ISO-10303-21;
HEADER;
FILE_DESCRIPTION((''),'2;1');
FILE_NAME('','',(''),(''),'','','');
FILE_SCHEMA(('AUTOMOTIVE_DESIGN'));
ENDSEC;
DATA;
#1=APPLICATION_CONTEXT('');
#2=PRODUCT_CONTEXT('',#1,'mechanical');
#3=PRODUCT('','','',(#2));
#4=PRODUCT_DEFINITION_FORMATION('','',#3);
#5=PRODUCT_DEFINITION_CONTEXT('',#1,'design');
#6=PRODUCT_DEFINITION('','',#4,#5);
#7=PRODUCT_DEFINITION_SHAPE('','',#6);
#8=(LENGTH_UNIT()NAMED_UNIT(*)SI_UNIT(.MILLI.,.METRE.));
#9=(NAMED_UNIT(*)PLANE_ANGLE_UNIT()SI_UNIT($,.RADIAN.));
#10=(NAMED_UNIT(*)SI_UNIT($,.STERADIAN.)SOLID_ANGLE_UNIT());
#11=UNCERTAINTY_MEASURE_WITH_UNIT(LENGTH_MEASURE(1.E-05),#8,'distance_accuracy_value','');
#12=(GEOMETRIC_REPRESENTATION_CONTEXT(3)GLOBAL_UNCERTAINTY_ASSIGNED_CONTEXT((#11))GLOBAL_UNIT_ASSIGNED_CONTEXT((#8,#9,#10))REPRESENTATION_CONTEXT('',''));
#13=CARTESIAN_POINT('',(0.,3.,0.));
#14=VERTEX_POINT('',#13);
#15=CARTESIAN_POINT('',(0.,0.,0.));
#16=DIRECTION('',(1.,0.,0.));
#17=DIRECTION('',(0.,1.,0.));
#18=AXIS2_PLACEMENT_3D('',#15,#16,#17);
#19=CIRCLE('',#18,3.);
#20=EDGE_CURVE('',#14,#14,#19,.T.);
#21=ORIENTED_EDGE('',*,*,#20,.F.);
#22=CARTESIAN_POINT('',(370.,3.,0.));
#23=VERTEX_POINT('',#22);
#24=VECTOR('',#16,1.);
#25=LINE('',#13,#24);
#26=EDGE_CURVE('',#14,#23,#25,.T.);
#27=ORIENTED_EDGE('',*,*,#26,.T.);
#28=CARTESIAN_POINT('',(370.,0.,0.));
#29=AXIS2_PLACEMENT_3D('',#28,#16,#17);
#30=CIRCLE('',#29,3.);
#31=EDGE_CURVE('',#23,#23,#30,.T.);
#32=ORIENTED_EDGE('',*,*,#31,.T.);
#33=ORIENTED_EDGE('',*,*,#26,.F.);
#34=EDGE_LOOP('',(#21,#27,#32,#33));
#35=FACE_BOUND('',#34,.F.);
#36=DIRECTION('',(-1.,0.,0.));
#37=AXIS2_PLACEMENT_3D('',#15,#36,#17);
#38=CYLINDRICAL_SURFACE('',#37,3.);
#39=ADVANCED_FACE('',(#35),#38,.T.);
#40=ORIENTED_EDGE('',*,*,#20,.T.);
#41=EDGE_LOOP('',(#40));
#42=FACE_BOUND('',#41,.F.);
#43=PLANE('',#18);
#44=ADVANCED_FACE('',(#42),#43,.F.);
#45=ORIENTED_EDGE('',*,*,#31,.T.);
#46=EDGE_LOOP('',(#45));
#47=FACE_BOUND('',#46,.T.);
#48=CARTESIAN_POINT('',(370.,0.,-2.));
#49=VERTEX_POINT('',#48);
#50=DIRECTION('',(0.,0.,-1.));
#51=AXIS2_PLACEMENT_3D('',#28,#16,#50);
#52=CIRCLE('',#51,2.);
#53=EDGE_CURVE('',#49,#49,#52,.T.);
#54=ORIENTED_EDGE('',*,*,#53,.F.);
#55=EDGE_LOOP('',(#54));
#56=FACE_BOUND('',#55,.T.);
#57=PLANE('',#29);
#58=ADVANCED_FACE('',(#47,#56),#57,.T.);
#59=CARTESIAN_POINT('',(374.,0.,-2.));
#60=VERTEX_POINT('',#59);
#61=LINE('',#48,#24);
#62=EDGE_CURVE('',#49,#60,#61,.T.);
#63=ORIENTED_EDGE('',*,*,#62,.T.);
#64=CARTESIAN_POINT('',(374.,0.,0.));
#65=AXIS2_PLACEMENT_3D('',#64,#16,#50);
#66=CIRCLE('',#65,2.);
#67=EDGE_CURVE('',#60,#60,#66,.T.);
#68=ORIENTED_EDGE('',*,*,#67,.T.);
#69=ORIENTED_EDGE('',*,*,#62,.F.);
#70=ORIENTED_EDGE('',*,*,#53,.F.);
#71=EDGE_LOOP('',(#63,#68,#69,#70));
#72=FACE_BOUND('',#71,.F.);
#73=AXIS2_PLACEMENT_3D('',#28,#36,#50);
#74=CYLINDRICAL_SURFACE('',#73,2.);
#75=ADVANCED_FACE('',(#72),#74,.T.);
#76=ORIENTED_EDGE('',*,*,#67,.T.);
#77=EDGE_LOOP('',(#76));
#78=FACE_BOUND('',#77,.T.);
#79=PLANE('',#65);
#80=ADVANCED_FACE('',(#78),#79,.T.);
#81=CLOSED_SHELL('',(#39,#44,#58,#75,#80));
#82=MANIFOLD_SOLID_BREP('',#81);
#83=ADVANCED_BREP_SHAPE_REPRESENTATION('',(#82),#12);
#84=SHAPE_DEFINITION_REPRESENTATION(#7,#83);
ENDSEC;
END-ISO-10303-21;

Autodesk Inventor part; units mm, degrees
ref_plane "YZ Plane" through (0, 0, 0) normal (1, 0, 0) x (0, 1, 0)
ref_plane "XZ Plane" through (0, 0, 0) normal (0, 1, 0) x (-1, 0, 0)
sketch "Sketch1" plane through (0, 0, 0) normal (1, 0, 0) x (0, 1, 0)
  circle A0 centre (0, 0) radius 3
  dimension "d4" = 6
extrude "Extrusion1" add sketch "Sketch1" along normal blind 370
sketch "Sketch2" plane through (370, 0, 0) normal (1, 0, 0) x (0, 0, -1)
  circle A0 centre (0, 0) radius 2
  dimension "d5" = 4
extrude "Extrusion2" add sketch "Sketch2" along normal blind 4
thread "Thread1" size "M4x0.7" class "6g" standard "ANSI Metric M Profile" full length
ref_plane "Work Plane3" through (0, 0, -3) normal (0, 0, 1) x (1, 0, 0)
ref_plane "Work Plane2" through (0, 0, 3) normal (0, 0, 1) x (1, 0, 0)
properties part number "Rod"
